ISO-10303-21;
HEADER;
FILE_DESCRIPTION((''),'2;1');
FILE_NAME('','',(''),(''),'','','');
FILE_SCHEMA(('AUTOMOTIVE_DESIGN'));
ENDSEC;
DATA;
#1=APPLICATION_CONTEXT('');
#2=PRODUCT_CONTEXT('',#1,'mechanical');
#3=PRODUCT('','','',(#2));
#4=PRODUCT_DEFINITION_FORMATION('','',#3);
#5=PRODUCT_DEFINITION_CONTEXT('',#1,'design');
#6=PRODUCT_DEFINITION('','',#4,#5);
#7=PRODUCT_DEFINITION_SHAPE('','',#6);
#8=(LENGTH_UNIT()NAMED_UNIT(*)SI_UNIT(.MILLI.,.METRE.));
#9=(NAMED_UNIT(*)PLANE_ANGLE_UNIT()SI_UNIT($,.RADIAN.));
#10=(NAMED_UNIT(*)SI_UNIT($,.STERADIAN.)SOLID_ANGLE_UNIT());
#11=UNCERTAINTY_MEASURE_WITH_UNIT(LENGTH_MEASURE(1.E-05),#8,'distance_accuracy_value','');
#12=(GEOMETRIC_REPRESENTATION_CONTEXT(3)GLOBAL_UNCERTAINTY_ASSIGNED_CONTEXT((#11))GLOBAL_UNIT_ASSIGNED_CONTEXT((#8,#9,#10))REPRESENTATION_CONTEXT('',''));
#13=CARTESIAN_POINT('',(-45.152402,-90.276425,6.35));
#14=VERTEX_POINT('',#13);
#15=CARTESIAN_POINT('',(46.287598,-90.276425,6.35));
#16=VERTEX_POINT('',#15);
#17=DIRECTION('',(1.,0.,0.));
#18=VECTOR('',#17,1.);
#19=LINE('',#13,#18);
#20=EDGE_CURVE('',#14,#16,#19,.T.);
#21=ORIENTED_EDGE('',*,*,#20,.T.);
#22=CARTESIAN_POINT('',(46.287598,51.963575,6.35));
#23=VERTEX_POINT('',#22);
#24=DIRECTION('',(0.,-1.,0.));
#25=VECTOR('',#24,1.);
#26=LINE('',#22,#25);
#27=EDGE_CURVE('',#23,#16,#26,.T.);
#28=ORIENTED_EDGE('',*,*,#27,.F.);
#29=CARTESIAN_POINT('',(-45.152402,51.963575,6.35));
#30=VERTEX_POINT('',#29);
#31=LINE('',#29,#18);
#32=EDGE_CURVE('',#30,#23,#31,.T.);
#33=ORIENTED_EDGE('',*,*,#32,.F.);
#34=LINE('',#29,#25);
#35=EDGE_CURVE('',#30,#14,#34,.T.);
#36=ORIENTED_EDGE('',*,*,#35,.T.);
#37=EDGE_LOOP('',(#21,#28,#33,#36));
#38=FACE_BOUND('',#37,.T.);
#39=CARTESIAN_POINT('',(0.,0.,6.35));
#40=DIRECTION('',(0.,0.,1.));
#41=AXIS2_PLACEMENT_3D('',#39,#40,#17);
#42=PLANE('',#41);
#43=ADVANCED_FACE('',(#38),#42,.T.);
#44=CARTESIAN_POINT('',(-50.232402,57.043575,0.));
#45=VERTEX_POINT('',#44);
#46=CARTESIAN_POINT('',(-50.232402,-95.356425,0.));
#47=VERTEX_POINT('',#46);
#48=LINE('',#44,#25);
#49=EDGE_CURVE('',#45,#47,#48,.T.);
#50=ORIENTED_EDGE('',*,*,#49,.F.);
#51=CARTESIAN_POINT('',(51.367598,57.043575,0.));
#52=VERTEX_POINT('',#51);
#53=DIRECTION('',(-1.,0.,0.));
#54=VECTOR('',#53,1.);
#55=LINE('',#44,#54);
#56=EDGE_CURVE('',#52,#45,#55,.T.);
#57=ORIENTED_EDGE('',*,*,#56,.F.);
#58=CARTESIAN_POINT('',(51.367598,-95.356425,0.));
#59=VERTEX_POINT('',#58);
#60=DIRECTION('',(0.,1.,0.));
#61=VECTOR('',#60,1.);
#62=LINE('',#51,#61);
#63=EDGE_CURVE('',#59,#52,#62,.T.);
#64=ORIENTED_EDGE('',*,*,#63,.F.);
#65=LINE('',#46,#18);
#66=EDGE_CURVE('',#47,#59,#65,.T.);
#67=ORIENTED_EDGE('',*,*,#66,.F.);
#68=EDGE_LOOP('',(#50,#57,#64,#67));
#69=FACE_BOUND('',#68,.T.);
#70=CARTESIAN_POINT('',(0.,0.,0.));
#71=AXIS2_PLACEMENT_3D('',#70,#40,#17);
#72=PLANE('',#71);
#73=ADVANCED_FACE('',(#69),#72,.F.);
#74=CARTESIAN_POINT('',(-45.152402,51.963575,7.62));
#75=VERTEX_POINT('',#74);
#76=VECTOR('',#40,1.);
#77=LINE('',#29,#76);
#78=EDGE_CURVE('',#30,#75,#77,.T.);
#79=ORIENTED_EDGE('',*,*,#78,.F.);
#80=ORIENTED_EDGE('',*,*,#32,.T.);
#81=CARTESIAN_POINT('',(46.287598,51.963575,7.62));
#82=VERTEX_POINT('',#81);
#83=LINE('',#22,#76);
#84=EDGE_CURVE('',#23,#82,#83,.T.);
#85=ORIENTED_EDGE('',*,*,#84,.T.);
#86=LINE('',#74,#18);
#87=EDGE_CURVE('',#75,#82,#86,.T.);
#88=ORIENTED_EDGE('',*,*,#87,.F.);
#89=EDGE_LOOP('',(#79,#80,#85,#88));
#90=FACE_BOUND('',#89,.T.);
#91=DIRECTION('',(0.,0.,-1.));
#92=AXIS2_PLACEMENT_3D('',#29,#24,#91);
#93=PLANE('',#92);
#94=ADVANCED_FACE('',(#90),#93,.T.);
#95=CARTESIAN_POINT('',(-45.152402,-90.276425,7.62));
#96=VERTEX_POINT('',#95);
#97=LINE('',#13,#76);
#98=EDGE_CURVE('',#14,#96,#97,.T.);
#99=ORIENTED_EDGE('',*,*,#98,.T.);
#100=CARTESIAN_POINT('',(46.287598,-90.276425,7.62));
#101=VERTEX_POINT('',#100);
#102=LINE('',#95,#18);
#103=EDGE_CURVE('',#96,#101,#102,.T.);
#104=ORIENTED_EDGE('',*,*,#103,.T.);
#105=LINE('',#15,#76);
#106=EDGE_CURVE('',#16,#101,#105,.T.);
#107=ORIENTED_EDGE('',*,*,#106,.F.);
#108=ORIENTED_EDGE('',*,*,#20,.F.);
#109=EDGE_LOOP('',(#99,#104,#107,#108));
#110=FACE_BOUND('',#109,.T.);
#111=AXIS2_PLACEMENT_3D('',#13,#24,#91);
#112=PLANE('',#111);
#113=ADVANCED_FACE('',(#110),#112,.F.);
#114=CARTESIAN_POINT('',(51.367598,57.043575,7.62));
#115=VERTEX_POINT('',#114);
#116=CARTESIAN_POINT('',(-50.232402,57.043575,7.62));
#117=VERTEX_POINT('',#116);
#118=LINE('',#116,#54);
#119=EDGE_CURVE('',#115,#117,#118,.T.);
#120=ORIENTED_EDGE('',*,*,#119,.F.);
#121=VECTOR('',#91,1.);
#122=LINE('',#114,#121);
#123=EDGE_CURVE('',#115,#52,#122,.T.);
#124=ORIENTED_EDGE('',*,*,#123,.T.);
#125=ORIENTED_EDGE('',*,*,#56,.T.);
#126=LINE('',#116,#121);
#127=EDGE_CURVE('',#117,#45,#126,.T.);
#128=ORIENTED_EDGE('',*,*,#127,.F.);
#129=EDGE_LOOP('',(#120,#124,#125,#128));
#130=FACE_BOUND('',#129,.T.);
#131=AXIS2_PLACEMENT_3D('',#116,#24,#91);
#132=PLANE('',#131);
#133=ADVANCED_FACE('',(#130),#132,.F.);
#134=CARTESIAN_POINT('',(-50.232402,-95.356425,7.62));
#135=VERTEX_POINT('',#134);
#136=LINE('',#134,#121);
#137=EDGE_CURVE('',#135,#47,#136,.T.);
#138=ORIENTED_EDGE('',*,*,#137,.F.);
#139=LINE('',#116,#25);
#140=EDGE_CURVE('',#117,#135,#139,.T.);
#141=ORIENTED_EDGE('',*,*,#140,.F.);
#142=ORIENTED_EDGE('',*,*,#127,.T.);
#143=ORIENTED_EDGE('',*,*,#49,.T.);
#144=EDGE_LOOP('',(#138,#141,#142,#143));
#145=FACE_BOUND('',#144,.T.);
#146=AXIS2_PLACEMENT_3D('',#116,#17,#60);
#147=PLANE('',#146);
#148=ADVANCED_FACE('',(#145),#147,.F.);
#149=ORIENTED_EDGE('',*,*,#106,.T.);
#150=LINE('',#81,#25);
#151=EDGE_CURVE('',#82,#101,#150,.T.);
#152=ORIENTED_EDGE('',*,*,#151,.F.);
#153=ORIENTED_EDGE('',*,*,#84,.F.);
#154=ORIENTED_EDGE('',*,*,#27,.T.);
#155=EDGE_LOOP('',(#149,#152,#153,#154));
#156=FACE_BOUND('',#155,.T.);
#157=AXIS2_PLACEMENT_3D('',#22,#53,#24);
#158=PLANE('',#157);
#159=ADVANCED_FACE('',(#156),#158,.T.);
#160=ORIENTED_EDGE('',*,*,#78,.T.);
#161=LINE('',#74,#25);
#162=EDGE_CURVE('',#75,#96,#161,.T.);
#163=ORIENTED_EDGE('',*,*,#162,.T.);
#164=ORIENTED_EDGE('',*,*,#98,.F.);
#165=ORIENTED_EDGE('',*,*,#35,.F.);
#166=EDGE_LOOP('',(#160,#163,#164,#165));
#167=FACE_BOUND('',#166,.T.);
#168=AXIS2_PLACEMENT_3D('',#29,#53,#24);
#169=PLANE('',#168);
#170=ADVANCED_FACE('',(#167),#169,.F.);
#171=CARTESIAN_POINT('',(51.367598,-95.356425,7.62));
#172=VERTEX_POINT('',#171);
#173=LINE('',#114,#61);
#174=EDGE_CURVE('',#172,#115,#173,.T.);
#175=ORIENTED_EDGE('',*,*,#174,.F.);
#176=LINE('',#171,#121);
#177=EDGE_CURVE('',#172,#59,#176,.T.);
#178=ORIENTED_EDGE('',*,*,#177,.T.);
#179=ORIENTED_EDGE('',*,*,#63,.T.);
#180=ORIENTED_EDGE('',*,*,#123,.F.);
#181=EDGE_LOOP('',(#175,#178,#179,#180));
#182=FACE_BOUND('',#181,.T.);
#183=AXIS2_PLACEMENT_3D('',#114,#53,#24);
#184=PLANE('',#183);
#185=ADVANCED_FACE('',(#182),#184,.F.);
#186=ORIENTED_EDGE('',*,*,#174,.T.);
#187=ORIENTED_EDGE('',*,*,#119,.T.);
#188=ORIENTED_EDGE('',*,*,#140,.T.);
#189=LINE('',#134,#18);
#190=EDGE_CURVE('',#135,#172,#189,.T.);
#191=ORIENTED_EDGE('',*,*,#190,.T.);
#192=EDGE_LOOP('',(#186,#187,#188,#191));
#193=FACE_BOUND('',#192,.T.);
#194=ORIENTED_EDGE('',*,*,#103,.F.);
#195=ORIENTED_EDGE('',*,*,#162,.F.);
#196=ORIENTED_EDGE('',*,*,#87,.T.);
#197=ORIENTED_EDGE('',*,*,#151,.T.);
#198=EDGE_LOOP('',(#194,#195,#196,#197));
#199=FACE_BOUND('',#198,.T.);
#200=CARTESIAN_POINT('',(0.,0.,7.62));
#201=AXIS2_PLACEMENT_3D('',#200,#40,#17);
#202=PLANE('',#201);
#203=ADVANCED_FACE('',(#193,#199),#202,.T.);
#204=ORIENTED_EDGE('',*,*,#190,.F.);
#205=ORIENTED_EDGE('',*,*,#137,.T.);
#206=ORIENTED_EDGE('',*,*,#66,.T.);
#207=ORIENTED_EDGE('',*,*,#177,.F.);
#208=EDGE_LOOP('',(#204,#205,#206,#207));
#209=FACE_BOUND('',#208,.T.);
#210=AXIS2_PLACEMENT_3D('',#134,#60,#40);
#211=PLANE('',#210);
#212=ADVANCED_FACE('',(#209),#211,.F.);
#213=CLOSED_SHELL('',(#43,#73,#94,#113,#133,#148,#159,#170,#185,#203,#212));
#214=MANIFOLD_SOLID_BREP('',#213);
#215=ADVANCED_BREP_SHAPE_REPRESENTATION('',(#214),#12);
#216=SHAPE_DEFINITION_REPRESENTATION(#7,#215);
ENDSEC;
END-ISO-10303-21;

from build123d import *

# Parameters (mm, degrees)
SKETCH4_W           = 101.6
SKETCH4_H           = 152.4
BOSS_EXTRUDE3_DEPTH = 7.62
SKETCH5_W           = 91.44
SKETCH5_H           = 142.24
CUT_EXTRUDE1_DEPTH  = 1.27


with BuildPart() as part:
    # Sketch4 → Boss-Extrude3 (new body)
    with BuildSketch(Plane.XY):
        with Locations((0.567597765, -19.156424581)):
            Rectangle(SKETCH4_W, SKETCH4_H)
    extrude(amount=BOSS_EXTRUDE3_DEPTH)

    # Sketch5 → Cut-Extrude1 (cut)
    with BuildSketch(Plane.XY.offset(7.62)):
        with Locations((0.567597765, -19.156424581)):
            Rectangle(SKETCH5_W, SKETCH5_H)
    extrude(amount=-CUT_EXTRUDE1_DEPTH, mode=Mode.SUBTRACT)


solid = part.part
